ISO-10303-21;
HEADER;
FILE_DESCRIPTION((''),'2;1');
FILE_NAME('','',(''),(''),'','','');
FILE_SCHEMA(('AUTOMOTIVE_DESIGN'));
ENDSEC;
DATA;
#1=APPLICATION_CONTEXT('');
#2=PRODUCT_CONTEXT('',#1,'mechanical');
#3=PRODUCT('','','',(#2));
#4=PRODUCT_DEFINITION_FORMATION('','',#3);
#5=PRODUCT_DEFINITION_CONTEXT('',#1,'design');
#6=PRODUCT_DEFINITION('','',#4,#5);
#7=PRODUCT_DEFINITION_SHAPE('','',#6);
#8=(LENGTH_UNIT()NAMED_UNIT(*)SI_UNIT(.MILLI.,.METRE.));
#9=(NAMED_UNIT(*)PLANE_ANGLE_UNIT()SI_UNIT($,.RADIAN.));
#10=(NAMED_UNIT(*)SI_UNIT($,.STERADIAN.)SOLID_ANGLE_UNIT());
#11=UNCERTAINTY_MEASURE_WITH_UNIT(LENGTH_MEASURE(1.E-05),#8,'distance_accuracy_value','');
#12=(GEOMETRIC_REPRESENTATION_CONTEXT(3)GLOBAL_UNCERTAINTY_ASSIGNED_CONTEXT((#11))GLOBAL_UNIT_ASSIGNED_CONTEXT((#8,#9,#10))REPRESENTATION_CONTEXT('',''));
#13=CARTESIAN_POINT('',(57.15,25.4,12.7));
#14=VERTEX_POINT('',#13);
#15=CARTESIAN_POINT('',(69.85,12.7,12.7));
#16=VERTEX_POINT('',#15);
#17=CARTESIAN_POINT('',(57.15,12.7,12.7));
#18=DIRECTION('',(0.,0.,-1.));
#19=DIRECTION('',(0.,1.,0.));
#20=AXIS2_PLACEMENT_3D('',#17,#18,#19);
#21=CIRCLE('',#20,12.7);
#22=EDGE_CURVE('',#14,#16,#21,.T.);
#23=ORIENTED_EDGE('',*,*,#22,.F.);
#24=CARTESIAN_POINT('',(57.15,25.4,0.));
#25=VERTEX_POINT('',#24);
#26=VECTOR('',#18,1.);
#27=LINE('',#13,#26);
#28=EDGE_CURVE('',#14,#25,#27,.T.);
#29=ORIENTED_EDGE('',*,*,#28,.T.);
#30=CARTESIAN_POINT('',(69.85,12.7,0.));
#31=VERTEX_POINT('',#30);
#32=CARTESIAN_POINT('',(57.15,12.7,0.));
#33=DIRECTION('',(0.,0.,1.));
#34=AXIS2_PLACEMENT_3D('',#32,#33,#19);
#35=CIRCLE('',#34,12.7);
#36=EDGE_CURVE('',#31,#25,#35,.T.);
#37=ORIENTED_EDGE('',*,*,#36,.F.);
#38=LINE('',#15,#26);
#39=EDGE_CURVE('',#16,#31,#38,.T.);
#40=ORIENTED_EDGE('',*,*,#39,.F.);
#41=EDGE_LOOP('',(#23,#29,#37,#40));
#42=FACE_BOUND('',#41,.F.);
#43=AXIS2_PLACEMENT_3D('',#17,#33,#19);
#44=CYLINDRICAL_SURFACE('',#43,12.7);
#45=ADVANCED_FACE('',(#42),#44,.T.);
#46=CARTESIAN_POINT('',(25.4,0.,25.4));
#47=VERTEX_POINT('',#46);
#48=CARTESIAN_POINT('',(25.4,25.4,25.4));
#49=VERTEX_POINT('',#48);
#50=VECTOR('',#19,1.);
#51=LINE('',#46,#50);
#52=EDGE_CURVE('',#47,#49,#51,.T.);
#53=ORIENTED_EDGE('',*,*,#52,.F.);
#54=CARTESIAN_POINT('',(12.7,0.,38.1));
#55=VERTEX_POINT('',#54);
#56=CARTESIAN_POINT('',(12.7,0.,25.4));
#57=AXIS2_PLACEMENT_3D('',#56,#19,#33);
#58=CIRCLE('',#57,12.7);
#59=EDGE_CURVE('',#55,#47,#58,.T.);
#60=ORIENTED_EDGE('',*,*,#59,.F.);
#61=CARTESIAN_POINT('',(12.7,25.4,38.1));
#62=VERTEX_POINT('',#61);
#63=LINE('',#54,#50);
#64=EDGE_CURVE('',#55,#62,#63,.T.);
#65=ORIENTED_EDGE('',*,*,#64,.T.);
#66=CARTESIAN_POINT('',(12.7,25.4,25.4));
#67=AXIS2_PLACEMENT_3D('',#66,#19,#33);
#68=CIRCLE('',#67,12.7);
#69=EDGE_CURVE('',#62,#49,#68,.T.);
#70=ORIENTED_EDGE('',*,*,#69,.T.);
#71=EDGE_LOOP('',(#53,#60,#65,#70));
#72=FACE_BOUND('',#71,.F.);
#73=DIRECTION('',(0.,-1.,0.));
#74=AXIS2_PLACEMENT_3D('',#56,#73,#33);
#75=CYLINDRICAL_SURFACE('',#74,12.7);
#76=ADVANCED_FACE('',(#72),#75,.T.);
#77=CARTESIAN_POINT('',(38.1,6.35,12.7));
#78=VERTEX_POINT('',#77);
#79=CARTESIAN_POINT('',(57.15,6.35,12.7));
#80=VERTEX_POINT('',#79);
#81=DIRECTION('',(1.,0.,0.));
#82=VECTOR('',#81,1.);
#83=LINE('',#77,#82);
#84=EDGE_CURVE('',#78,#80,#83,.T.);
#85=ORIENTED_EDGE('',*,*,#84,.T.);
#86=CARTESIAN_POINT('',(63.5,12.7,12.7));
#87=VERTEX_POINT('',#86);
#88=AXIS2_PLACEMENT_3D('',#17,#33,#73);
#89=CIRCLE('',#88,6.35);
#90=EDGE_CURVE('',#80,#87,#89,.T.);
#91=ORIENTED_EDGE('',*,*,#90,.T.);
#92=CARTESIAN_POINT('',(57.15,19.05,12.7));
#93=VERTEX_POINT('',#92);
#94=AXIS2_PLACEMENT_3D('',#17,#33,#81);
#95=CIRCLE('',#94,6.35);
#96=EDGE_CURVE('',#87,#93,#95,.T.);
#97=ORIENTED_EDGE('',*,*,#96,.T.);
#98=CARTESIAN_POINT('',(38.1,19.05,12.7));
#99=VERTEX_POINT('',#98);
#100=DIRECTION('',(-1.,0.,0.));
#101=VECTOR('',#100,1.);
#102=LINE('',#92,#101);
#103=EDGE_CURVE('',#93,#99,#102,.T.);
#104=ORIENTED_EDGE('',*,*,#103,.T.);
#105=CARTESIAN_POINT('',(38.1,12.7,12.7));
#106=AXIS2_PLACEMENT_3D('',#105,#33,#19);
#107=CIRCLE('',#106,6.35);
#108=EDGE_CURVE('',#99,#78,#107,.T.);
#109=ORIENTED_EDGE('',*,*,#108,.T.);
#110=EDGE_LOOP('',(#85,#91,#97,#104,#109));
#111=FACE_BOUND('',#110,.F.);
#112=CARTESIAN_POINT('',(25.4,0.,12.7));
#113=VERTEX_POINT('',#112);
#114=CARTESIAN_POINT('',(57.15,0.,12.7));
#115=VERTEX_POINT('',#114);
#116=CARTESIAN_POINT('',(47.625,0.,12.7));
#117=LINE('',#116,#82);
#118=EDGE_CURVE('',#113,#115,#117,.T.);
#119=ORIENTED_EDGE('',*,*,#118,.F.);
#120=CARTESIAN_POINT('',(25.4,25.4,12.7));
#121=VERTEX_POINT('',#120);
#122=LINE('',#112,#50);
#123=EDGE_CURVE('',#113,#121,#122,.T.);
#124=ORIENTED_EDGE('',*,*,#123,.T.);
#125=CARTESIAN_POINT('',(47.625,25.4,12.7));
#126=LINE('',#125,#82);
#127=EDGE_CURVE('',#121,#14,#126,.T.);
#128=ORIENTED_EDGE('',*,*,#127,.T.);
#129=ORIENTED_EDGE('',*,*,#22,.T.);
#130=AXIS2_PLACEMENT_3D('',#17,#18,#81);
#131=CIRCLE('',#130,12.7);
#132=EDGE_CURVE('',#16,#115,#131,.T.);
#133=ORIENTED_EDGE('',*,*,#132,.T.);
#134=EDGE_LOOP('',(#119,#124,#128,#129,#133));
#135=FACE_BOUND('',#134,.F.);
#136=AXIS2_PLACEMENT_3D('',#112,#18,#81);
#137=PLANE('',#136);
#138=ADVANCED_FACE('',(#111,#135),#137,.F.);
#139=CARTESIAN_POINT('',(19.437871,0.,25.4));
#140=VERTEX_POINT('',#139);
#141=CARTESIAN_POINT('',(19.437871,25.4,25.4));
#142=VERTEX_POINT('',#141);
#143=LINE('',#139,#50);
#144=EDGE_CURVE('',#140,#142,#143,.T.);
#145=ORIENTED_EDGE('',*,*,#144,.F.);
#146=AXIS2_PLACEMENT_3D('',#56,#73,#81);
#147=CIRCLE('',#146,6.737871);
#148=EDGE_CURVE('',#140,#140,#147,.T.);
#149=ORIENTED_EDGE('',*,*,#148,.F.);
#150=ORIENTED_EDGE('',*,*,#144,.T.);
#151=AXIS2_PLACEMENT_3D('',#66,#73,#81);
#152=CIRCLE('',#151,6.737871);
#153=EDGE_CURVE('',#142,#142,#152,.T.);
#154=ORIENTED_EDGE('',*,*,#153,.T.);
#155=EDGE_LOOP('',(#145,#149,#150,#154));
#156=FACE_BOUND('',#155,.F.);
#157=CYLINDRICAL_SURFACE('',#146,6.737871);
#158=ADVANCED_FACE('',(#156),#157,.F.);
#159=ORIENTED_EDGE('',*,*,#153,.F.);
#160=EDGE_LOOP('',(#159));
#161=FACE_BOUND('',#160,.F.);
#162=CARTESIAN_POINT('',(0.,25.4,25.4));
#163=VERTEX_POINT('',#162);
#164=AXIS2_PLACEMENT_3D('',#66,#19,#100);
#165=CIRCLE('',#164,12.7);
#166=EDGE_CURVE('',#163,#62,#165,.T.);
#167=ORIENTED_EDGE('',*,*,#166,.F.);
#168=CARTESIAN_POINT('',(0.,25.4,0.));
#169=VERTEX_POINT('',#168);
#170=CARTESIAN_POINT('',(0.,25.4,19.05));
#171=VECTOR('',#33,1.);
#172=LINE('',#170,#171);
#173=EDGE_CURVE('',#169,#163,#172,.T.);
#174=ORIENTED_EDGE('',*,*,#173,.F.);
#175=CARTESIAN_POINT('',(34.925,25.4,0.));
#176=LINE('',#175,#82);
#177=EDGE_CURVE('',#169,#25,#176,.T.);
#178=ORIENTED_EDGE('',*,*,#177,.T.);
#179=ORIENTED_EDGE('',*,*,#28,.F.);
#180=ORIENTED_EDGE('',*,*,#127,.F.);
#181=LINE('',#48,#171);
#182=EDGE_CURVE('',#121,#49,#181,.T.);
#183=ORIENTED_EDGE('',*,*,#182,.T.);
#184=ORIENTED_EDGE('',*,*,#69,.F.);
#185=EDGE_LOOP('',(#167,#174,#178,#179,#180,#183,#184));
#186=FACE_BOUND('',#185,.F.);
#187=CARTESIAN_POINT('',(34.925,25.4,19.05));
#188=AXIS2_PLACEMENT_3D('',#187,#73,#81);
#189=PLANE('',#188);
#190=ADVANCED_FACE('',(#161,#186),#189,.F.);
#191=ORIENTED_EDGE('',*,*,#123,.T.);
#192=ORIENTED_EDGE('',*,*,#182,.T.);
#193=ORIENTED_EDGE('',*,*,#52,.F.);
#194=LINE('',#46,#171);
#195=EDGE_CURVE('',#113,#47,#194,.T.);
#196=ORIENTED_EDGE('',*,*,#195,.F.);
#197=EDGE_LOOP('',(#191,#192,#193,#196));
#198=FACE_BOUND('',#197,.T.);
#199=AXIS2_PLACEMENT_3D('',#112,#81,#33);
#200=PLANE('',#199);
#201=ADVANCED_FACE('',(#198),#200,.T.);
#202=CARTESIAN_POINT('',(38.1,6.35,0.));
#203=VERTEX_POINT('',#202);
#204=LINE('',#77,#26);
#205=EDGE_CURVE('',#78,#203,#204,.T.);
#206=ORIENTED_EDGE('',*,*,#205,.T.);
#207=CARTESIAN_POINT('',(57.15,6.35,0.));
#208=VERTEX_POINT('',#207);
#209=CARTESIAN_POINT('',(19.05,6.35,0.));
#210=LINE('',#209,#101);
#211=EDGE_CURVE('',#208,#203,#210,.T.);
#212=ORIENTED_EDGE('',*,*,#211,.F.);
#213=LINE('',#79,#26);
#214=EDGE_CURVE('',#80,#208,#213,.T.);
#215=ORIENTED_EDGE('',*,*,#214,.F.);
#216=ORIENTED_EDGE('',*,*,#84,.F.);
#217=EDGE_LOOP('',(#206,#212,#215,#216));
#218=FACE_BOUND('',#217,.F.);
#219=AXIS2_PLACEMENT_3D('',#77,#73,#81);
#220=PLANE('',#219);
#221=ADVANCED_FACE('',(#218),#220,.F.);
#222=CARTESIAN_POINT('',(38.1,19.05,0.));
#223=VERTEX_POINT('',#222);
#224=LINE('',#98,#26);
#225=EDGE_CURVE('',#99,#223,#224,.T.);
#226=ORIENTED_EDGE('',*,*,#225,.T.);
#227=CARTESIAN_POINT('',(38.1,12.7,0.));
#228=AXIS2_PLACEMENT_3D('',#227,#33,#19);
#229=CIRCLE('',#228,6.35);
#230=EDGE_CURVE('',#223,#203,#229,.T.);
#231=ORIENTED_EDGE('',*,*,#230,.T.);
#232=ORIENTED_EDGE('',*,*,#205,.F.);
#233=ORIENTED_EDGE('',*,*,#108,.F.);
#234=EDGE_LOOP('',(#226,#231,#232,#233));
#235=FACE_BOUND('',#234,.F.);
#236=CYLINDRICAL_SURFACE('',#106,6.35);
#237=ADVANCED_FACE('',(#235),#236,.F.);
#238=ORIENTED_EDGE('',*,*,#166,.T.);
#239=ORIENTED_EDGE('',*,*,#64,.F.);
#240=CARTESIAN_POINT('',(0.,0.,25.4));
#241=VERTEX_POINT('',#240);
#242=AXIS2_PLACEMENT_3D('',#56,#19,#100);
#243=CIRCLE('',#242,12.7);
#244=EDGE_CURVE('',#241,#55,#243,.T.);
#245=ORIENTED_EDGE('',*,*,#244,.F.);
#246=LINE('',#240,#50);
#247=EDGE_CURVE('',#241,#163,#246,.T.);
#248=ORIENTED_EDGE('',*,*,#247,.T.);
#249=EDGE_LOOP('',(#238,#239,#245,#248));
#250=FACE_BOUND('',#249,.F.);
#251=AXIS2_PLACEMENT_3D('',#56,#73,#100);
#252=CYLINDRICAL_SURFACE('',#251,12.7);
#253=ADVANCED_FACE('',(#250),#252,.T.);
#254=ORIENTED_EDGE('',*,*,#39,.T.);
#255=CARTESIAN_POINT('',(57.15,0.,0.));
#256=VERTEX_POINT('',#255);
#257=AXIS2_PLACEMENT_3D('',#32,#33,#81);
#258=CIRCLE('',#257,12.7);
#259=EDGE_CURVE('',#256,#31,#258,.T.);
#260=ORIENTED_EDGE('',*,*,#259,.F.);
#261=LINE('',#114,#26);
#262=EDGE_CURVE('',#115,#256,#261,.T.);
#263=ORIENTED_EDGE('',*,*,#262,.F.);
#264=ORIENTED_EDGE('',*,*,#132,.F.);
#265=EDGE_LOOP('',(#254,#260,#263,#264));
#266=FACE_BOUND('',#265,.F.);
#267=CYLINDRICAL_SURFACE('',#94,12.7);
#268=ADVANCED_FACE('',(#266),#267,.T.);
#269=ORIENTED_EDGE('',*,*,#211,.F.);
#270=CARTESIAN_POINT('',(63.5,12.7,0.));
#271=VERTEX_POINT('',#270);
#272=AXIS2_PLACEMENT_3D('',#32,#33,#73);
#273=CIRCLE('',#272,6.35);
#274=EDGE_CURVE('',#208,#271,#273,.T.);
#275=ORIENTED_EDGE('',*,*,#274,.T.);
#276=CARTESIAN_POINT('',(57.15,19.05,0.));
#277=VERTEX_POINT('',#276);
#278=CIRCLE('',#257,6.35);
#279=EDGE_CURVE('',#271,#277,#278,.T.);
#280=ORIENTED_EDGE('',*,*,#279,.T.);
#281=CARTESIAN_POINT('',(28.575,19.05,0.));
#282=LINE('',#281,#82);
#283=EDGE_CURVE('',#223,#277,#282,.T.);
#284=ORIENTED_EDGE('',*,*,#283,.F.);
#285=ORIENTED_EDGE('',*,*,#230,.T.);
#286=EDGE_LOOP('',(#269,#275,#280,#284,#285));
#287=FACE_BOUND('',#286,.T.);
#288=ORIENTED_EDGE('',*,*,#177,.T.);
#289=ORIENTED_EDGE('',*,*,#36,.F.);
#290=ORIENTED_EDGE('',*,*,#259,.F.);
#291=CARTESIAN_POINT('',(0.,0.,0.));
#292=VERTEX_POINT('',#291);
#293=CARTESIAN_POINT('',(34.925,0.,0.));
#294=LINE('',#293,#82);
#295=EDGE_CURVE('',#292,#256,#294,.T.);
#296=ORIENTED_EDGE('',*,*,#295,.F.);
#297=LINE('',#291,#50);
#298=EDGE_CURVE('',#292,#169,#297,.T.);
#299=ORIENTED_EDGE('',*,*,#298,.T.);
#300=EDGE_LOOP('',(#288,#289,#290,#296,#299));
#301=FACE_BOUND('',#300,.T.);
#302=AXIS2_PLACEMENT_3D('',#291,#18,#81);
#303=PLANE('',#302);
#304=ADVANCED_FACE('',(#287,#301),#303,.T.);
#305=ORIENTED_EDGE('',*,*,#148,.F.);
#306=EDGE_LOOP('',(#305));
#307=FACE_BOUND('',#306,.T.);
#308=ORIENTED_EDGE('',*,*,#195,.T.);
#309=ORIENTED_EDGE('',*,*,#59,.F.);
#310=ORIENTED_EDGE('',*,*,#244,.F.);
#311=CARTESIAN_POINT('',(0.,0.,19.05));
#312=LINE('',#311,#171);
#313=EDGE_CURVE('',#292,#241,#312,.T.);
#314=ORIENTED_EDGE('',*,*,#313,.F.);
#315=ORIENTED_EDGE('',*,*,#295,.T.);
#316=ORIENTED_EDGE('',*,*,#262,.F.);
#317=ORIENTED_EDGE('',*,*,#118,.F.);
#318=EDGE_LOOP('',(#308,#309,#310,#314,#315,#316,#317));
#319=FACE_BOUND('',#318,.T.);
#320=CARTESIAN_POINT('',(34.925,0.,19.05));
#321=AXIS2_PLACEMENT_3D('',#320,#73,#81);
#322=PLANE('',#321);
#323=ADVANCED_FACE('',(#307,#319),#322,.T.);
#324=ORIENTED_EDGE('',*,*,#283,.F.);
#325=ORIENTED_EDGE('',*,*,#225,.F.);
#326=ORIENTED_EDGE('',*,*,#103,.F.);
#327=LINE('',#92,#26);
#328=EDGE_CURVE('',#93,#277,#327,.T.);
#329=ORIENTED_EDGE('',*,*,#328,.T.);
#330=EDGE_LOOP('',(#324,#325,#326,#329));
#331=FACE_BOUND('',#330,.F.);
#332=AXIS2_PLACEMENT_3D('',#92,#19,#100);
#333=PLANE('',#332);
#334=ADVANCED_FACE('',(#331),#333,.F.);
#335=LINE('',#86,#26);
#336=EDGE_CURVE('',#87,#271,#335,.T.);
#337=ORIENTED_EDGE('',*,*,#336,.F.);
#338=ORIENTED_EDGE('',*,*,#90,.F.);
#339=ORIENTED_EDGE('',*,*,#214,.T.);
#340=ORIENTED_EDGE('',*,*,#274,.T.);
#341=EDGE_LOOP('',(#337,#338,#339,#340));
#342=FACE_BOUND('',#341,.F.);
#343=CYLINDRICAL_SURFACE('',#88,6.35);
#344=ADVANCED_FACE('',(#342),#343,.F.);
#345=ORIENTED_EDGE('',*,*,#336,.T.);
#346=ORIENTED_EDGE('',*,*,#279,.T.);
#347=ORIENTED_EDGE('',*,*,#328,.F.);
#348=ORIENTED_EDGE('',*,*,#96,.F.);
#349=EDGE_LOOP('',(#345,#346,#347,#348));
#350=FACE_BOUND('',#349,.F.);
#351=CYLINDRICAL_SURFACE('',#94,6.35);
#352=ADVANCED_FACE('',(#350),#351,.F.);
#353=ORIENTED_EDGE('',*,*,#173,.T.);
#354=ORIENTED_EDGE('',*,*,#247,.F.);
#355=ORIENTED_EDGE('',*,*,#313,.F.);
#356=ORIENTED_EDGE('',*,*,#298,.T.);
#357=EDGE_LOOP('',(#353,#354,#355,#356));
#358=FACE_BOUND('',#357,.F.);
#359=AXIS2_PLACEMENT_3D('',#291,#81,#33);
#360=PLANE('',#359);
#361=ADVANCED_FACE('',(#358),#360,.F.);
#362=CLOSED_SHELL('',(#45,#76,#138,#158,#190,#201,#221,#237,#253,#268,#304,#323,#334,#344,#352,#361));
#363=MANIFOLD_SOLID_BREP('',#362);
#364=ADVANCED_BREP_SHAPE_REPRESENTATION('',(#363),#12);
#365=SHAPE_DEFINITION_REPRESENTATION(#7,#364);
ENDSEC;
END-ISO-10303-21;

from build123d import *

# Parameters (mm, degrees)
F0_W      = 69.85
F0_H      = 38.1
F1_DEPTH  = 25.4
F2_W      = 44.45
F2_H      = 25.4
F3_DEPTH  = 25.4
F5_DEPTH  = 25.4
F7_DEPTH  = 25.4
F8_R      = 6.7378707766
F9_DEPTH  = 25.4
F11_DEPTH = 25.4


with BuildPart() as f1:
    # F0 (on Front) → F1 (new body)
    with BuildSketch(Plane.XZ):
        with Locations((34.925, 19.05)):
            Rectangle(F0_W, F0_H)
    extrude(amount=-F1_DEPTH)

    # F2 (on face) → F3 (cut)
    with BuildSketch(Plane.XZ):
        with Locations((47.625, 25.4)):
            Rectangle(F2_W, F2_H)
    extrude(amount=-F3_DEPTH, mode=Mode.SUBTRACT)

    # F4 (on face) → F5 (cut)
    with BuildSketch(Plane.XY.offset(12.7)):
        with BuildLine():
            ThreePointArc((38.1, 6.35), (42.5901280605, 8.2098719395), (44.45, 12.7))
            ThreePointArc((44.45, 12.7), (42.5901280605, 17.1901280605), (38.1, 19.05))
            ThreePointArc((38.1, 19.05), (31.75, 12.7), (38.1, 6.35))
        make_face()
        with BuildLine():
            ThreePointArc((38.1, 19.05), (42.5901280605, 17.1901280605), (44.45, 12.7))
            ThreePointArc((44.45, 12.7), (42.5901280605, 8.2098719395), (38.1, 6.35))
            Line((38.1, 6.35), (57.15, 6.35))
            ThreePointArc((57.15, 6.35), (50.8, 12.7), (57.15, 19.05))
            Line((57.15, 19.05), (38.1, 19.05))
        make_face()
        with BuildLine():
            ThreePointArc((63.5, 12.7), (61.6401280605, 17.1901280605), (57.15, 19.05))
            ThreePointArc((57.15, 19.05), (50.8, 12.7), (57.15, 6.35))
            ThreePointArc((57.15, 6.35), (61.6401280605, 8.2098719395), (63.5, 12.7))
        make_face()
    extrude(amount=-F5_DEPTH, mode=Mode.SUBTRACT)

    # F6 (on face) → F7 (cut)
    with BuildSketch(Plane.XY.offset(12.7)):
        with BuildLine():
            ThreePointArc((57.15, 25.4), (66.1302561211, 21.6802561211), (69.85, 12.7))
            Line((69.85, 12.7), (69.85, 25.4))
            Line((69.85, 25.4), (57.15, 25.4))
        make_face()
        with BuildLine():
            ThreePointArc((69.85, 12.7), (66.1302561211, 3.7197438789), (57.15, 0))
            Line((57.15, 0), (69.85, 0))
            Line((69.85, 0), (69.85, 12.7))
        make_face()
    extrude(amount=-F7_DEPTH, mode=Mode.SUBTRACT)

    # F8 (on face) → F9 (cut)
    with BuildSketch(Plane.XZ):
        with Locations((12.7, 25.4)):
            Circle(F8_R)
    extrude(amount=-F9_DEPTH, mode=Mode.SUBTRACT)

    # F10 (on face) → F11 (cut)
    with BuildSketch(Plane.XZ):
        with BuildLine():
            ThreePointArc((0, 25.4), (3.7197438789, 34.3802561211), (12.7, 38.1))
            Line((12.7, 38.1), (0, 38.1))
            Line((0, 38.1), (0, 25.4))
        make_face()
        with BuildLine():
            ThreePointArc((12.7, 38.1), (21.6802561211, 34.3802561211), (25.4, 25.4))
            Line((25.4, 25.4), (25.4, 38.1))
            Line((25.4, 38.1), (12.7, 38.1))
        make_face()
    extrude(amount=-F11_DEPTH, mode=Mode.SUBTRACT)


solid = f1.part
